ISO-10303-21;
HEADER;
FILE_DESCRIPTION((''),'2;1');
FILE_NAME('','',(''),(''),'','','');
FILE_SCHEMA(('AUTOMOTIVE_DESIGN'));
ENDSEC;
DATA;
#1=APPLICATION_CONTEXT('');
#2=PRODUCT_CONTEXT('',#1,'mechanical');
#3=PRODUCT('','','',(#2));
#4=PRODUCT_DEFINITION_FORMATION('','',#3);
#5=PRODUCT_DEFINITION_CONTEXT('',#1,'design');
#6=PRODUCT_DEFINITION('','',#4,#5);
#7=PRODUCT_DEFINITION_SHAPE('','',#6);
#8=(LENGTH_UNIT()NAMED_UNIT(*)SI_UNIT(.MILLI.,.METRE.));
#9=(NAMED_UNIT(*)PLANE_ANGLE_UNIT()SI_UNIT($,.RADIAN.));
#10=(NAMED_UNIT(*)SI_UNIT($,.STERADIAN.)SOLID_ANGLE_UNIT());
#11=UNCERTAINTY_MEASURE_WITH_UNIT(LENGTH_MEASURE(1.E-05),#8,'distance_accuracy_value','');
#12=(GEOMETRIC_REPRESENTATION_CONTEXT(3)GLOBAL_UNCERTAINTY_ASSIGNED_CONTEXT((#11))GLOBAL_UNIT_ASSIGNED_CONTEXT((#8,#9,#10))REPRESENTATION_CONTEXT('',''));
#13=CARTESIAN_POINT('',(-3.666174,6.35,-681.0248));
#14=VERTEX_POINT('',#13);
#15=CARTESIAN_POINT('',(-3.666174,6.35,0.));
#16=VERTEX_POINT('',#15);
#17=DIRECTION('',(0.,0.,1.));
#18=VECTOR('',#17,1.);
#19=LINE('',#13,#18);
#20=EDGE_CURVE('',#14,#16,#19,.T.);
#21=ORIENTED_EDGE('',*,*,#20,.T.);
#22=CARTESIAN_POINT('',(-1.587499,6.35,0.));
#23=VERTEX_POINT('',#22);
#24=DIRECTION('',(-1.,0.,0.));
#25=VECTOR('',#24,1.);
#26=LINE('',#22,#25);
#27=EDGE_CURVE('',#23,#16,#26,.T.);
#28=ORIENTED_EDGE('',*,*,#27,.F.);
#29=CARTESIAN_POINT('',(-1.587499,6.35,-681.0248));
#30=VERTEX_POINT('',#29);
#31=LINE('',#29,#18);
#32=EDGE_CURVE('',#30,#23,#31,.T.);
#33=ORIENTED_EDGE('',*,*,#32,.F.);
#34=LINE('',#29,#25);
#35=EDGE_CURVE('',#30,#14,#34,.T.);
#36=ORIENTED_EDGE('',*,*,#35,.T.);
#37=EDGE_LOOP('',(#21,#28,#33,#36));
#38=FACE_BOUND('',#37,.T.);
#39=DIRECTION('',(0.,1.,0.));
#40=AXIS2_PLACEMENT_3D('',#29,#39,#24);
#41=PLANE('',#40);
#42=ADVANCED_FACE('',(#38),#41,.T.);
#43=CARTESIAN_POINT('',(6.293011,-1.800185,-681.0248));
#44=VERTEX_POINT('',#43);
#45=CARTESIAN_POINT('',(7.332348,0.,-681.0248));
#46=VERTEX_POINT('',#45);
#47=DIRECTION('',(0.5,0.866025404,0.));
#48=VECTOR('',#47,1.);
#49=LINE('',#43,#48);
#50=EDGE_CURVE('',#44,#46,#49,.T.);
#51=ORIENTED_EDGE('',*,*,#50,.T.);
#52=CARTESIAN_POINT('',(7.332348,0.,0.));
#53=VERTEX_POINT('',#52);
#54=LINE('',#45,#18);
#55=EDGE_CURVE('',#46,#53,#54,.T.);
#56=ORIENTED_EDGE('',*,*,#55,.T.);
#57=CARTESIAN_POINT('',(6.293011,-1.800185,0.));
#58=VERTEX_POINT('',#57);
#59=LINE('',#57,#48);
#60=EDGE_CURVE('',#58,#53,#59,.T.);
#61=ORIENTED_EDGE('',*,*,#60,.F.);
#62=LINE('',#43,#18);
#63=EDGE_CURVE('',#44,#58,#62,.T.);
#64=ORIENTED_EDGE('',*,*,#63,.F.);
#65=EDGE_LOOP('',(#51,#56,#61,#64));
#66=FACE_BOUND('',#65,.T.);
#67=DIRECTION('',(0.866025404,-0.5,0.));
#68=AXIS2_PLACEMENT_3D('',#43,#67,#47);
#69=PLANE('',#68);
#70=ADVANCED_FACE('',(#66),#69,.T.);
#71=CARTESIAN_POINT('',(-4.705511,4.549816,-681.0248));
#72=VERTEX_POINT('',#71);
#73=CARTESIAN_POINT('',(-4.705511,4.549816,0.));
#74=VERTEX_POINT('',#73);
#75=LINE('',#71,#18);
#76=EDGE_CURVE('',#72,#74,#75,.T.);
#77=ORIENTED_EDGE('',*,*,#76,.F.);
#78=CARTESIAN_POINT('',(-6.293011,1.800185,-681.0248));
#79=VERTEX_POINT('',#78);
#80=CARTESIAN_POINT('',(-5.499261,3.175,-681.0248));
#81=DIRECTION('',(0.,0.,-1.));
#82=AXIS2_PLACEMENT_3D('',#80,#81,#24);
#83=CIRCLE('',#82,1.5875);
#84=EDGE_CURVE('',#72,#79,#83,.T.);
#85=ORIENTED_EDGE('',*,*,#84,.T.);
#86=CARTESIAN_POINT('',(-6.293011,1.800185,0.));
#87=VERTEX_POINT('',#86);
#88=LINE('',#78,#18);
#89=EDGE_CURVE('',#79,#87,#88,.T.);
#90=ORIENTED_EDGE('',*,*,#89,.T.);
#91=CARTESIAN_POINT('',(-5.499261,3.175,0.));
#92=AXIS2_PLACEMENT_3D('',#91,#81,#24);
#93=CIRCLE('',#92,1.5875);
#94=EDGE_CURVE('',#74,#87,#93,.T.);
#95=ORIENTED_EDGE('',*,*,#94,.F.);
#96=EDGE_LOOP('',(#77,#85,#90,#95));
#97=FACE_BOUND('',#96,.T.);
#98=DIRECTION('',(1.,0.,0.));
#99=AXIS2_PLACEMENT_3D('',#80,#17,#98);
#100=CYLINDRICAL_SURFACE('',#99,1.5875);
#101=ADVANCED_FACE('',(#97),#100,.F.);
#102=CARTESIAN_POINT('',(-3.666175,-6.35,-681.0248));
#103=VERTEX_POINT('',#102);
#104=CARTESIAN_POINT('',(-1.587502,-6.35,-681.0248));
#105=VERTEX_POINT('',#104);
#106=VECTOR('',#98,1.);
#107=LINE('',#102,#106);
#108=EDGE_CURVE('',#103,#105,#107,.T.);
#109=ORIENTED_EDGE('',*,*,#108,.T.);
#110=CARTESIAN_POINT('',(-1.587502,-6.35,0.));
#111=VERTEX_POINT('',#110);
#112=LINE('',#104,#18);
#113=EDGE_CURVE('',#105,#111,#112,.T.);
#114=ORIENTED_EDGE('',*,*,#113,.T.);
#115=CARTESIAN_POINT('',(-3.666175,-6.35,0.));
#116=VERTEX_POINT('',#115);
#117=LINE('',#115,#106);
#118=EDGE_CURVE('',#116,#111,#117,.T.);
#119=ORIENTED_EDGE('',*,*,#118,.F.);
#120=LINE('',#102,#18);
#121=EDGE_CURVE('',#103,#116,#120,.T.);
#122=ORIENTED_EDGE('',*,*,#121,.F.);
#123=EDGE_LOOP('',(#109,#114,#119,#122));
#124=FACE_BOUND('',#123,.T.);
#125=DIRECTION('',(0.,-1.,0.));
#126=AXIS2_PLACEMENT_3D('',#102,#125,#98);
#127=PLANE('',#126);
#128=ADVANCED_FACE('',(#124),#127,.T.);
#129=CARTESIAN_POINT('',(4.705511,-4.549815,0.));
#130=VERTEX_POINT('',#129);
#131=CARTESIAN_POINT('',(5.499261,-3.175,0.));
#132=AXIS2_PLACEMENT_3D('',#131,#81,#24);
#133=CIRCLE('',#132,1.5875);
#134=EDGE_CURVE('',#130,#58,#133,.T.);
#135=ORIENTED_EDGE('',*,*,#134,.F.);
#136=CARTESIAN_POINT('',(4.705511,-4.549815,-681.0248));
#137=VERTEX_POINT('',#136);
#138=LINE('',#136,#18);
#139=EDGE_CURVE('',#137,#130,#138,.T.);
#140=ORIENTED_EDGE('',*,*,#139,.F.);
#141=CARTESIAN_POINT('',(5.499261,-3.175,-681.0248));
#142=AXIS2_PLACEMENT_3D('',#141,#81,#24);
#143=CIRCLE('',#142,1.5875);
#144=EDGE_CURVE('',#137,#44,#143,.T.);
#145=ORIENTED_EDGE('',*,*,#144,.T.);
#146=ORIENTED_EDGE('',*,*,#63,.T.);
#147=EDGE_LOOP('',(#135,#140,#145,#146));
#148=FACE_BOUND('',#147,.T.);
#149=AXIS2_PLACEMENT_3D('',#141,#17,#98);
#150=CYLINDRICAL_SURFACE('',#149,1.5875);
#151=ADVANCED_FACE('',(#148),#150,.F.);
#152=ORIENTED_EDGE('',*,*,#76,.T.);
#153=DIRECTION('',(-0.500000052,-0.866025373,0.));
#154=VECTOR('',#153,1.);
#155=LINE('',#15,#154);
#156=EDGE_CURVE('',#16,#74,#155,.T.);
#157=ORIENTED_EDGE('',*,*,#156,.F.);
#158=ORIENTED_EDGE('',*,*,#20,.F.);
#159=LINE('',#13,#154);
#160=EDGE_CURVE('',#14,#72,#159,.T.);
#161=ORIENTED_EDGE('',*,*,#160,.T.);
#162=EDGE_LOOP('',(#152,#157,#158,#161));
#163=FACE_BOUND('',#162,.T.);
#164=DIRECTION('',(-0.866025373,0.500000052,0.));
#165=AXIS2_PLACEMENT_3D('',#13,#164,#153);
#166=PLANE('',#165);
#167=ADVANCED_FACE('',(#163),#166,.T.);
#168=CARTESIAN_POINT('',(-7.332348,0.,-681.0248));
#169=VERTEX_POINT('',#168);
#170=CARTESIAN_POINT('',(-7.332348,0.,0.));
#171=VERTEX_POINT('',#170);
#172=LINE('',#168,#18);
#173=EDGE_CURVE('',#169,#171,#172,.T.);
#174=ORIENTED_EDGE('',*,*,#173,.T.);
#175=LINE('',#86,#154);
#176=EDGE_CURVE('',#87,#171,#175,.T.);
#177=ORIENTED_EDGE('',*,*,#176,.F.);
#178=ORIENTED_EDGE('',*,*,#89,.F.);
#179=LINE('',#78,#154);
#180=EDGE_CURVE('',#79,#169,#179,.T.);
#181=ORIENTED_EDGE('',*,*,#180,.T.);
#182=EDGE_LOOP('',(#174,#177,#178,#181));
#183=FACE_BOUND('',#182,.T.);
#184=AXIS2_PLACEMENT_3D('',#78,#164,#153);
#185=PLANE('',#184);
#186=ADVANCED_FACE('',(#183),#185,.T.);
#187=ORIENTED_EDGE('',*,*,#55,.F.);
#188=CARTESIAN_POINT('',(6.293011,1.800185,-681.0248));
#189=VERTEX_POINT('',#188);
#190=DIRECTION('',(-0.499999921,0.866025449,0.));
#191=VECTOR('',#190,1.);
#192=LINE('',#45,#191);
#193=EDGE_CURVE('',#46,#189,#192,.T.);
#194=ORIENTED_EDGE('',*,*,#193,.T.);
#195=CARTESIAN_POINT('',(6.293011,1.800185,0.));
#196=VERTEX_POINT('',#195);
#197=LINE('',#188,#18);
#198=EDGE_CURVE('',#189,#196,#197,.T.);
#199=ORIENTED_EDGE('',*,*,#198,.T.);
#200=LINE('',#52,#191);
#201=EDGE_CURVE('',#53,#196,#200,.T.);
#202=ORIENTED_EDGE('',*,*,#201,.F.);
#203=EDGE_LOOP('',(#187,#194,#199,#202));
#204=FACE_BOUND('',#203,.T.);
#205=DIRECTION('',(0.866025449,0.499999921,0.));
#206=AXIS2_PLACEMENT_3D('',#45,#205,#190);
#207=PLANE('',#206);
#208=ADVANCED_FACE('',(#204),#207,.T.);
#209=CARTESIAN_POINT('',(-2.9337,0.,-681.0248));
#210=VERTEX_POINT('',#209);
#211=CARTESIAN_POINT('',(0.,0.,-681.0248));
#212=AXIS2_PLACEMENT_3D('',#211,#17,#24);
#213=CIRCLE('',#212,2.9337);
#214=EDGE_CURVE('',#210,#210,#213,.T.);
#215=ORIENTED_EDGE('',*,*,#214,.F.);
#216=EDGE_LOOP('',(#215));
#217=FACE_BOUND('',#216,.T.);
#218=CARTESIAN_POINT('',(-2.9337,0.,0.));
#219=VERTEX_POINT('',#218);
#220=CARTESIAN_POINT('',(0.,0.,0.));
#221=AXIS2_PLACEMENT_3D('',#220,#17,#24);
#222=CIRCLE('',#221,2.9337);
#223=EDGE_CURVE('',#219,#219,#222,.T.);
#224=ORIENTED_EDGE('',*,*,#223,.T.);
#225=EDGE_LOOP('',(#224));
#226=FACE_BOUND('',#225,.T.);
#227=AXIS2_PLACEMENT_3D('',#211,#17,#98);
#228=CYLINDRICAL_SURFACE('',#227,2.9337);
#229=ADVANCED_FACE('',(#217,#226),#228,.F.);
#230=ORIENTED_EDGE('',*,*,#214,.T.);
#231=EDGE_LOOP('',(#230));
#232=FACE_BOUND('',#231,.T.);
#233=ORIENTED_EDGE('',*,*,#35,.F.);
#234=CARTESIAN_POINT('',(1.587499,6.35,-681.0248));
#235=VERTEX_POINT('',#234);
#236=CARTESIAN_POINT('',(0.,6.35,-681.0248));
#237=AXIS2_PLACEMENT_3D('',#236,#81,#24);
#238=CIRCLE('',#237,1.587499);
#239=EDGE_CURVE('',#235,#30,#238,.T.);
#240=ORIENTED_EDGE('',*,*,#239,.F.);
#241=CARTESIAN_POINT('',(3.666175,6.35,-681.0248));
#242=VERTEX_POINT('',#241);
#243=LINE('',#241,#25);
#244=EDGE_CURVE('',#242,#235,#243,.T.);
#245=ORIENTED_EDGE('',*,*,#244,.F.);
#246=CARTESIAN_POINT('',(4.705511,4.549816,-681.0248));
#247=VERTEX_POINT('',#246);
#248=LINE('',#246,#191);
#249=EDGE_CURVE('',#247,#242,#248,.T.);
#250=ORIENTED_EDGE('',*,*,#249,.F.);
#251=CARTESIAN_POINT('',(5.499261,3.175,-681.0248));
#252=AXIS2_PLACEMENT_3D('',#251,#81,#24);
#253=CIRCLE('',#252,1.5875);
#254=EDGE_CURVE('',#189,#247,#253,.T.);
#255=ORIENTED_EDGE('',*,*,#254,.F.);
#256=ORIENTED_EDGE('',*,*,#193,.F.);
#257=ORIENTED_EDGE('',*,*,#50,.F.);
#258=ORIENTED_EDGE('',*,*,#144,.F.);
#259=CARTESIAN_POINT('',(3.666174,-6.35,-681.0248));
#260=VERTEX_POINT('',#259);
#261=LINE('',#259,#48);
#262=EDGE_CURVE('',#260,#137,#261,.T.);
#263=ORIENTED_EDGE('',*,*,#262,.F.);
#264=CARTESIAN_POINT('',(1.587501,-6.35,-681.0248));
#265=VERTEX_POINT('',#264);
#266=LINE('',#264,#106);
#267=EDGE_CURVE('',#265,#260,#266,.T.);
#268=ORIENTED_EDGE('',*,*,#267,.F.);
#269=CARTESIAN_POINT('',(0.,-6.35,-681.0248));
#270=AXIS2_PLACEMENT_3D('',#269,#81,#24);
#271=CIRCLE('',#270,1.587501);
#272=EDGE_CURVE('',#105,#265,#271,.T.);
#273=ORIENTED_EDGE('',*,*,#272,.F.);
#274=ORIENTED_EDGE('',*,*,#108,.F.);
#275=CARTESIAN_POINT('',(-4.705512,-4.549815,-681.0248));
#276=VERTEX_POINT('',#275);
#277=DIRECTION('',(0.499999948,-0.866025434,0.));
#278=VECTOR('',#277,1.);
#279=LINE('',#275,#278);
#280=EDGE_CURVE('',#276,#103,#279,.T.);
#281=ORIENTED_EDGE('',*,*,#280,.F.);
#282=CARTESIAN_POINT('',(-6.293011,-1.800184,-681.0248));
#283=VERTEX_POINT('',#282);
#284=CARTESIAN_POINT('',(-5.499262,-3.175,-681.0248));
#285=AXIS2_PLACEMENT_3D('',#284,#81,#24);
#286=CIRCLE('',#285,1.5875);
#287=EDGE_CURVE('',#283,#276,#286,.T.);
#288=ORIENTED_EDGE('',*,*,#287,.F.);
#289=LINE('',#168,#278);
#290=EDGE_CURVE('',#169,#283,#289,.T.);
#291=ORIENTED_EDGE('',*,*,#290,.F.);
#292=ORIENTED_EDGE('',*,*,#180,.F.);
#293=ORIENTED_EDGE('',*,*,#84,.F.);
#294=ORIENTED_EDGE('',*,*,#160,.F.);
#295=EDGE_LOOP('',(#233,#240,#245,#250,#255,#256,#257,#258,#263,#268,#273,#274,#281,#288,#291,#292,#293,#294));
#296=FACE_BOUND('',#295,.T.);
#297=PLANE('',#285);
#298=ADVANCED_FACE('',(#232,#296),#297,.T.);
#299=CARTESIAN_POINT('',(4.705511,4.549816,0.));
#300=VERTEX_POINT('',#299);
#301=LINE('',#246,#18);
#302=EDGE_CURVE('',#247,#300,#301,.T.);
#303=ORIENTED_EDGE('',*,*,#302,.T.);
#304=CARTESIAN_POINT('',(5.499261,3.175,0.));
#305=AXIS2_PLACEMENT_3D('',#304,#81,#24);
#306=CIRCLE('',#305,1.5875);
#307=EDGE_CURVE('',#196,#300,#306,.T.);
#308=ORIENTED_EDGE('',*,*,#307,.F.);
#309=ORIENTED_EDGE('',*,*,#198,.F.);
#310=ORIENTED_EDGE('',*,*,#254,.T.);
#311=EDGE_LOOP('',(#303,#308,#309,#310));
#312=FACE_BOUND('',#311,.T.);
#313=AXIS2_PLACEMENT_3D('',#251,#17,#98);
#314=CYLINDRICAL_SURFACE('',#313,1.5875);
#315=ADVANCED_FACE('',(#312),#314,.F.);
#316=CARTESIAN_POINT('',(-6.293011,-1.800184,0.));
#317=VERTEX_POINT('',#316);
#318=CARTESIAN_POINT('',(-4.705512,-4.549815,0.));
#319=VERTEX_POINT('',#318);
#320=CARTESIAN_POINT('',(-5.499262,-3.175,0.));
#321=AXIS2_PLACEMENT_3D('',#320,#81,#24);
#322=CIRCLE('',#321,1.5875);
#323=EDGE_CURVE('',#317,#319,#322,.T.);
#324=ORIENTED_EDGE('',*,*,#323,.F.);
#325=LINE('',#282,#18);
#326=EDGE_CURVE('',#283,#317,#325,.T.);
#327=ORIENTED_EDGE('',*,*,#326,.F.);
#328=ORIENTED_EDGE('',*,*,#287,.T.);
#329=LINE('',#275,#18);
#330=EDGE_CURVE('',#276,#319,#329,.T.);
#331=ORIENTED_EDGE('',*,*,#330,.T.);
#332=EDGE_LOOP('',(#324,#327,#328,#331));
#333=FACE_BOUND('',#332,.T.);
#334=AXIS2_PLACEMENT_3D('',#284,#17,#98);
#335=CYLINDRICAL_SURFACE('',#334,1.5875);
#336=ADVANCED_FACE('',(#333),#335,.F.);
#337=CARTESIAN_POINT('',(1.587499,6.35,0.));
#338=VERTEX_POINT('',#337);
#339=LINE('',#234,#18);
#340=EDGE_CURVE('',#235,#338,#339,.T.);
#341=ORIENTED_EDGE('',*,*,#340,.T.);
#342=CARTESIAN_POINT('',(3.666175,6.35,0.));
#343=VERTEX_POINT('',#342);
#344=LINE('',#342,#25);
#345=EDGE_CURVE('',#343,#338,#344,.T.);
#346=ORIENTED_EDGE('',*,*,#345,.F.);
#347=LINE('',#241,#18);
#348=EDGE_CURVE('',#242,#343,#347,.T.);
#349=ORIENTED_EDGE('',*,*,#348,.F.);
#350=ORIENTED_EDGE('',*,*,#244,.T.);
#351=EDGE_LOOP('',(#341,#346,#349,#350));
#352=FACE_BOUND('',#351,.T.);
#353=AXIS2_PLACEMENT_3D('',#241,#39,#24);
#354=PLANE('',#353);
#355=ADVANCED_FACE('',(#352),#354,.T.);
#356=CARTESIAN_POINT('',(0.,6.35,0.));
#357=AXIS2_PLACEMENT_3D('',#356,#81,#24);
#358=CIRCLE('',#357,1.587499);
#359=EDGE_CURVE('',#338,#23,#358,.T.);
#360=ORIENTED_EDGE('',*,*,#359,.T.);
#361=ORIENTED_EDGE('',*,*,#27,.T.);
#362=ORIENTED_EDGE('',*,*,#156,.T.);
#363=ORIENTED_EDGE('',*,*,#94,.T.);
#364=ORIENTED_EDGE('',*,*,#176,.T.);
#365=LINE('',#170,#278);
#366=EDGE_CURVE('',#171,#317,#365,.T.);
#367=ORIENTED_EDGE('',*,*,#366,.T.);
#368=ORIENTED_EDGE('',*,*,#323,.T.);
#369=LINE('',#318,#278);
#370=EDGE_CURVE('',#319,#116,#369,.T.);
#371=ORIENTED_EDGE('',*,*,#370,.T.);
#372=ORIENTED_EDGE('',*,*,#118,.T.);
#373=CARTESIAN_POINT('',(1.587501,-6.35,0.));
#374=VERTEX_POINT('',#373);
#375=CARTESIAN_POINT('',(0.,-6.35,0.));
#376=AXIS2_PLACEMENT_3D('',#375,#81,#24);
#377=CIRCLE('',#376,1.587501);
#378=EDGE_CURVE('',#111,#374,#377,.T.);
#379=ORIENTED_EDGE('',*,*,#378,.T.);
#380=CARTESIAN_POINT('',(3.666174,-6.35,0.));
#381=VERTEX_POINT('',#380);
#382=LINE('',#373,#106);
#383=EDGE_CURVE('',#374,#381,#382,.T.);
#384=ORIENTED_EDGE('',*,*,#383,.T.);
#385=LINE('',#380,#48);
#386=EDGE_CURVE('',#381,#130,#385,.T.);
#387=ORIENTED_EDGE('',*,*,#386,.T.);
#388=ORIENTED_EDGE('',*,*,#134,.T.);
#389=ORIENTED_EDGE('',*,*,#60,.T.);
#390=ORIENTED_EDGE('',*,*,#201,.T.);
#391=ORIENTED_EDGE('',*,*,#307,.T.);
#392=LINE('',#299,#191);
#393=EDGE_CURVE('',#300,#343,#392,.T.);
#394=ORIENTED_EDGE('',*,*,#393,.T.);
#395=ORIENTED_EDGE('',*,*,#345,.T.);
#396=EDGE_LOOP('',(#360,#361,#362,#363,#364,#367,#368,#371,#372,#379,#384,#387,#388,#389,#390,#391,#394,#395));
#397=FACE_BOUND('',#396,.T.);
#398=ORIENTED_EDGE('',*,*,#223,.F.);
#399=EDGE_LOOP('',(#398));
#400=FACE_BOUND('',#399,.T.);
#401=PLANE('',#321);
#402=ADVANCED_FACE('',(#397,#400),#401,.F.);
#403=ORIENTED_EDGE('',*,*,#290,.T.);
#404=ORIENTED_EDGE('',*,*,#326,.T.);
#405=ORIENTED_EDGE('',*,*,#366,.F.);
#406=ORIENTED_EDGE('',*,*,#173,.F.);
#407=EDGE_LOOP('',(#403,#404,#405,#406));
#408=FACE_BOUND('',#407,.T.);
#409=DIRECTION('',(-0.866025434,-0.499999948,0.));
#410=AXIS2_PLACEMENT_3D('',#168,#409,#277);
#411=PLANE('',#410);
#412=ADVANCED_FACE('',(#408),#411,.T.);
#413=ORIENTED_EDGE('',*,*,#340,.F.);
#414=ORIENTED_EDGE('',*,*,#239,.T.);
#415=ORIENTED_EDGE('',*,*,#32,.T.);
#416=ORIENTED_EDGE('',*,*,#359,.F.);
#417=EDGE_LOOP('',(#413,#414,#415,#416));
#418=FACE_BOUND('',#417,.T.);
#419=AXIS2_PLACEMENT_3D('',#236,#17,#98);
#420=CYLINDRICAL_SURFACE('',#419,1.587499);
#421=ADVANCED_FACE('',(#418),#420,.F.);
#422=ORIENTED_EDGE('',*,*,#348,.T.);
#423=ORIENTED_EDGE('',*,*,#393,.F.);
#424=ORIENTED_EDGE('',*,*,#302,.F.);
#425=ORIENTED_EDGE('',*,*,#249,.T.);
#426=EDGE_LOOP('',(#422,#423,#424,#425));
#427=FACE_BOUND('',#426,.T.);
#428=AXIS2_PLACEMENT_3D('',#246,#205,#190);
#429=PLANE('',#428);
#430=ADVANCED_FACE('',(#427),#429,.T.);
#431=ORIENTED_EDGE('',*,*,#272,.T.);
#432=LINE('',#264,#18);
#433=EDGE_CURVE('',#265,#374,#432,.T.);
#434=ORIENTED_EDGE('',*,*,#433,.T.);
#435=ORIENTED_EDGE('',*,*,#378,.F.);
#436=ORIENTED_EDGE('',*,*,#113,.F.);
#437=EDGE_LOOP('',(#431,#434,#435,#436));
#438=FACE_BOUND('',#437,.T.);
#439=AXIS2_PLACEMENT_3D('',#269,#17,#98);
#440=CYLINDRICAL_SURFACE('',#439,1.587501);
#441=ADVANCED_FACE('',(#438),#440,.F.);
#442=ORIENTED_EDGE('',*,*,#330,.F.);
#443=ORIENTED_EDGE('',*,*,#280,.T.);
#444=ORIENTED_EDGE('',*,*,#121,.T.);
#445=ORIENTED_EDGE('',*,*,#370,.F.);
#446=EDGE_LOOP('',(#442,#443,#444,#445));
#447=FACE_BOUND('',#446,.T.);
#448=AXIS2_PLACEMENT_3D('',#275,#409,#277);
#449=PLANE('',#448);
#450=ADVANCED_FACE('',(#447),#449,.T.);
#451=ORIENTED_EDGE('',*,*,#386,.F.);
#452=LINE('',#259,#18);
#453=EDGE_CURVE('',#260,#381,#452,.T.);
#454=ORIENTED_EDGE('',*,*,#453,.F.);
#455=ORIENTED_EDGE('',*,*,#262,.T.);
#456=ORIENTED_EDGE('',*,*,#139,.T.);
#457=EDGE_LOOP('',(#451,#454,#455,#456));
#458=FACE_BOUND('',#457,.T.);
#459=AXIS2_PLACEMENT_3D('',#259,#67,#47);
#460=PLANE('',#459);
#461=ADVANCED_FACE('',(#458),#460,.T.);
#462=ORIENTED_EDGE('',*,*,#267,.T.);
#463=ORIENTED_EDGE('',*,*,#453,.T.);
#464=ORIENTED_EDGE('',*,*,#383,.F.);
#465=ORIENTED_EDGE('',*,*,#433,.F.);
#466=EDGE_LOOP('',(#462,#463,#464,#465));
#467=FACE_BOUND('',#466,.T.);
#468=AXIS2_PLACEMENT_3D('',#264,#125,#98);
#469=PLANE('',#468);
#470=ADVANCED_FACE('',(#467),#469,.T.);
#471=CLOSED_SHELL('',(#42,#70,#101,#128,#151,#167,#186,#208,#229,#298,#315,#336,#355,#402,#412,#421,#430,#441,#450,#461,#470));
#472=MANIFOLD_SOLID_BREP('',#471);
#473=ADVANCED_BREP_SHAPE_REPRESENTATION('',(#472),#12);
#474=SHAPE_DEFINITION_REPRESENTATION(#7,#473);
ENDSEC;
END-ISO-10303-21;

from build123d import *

# Parameters (mm, degrees)
SKETCH1_R           = 2.9337
BOSS_EXTRUDE1_DEPTH = 681.0248


with BuildPart() as part:
    # Sketch1 → Boss-Extrude1 (new body)
    with BuildSketch(Plane.XY):
        with BuildLine():
            Line((-4.70551159, -4.549815043), (-3.666174521, -6.349999904))
            Line((-3.666174521, -6.349999904), (-1.587501154, -6.349999904))
            ThreePointArc((-1.587501154, -6.349999904), (-3.85e-07, -4.762499134), (1.587501154, -6.349999904))
            Line((1.587501154, -6.349999904), (3.666173825, -6.349999904))
            Line((3.666173825, -6.349999904), (4.705510929, -4.549815232))
            ThreePointArc((4.705510929, -4.549815232), (4.124445601, -2.381249904), (6.293010929, -1.800184575))
            Line((6.293010929, -1.800184575), (7.332348034, 9.6e-08))
            Line((7.332348034, 9.6e-08), (6.293011178, 1.800184715))
            ThreePointArc((6.293011178, 1.800184715), (4.124445902, 2.381250241), (4.705511428, 4.549815516))
            Line((4.705511428, 4.549815516), (3.666174521, 6.350000222))
            Line((3.666174521, 6.350000222), (1.587498846, 6.350000222))
            ThreePointArc((1.587498846, 6.350000222), (3.85e-07, 4.762501761), (-1.587498846, 6.350000222))
            Line((-1.587498846, 6.350000222), (-3.666173825, 6.350000222))
            Line((-3.666173825, 6.350000222), (-4.705511038, 4.549815614))
            ThreePointArc((-4.705511038, 4.549815614), (-4.124445841, 2.38125025), (-6.293011205, 1.800185053))
            Line((-6.293011205, 1.800185053), (-7.332348419, 4.44e-07))
            Line((-7.332348419, 4.44e-07), (-6.293011423, -1.80018429))
            ThreePointArc((-6.293011423, -1.80018429), (-4.12444613, -2.38124975), (-4.70551159, -4.549815043))
        make_face()
        Circle(SKETCH1_R, mode=Mode.SUBTRACT)
    extrude(amount=-BOSS_EXTRUDE1_DEPTH)


solid = part.part
